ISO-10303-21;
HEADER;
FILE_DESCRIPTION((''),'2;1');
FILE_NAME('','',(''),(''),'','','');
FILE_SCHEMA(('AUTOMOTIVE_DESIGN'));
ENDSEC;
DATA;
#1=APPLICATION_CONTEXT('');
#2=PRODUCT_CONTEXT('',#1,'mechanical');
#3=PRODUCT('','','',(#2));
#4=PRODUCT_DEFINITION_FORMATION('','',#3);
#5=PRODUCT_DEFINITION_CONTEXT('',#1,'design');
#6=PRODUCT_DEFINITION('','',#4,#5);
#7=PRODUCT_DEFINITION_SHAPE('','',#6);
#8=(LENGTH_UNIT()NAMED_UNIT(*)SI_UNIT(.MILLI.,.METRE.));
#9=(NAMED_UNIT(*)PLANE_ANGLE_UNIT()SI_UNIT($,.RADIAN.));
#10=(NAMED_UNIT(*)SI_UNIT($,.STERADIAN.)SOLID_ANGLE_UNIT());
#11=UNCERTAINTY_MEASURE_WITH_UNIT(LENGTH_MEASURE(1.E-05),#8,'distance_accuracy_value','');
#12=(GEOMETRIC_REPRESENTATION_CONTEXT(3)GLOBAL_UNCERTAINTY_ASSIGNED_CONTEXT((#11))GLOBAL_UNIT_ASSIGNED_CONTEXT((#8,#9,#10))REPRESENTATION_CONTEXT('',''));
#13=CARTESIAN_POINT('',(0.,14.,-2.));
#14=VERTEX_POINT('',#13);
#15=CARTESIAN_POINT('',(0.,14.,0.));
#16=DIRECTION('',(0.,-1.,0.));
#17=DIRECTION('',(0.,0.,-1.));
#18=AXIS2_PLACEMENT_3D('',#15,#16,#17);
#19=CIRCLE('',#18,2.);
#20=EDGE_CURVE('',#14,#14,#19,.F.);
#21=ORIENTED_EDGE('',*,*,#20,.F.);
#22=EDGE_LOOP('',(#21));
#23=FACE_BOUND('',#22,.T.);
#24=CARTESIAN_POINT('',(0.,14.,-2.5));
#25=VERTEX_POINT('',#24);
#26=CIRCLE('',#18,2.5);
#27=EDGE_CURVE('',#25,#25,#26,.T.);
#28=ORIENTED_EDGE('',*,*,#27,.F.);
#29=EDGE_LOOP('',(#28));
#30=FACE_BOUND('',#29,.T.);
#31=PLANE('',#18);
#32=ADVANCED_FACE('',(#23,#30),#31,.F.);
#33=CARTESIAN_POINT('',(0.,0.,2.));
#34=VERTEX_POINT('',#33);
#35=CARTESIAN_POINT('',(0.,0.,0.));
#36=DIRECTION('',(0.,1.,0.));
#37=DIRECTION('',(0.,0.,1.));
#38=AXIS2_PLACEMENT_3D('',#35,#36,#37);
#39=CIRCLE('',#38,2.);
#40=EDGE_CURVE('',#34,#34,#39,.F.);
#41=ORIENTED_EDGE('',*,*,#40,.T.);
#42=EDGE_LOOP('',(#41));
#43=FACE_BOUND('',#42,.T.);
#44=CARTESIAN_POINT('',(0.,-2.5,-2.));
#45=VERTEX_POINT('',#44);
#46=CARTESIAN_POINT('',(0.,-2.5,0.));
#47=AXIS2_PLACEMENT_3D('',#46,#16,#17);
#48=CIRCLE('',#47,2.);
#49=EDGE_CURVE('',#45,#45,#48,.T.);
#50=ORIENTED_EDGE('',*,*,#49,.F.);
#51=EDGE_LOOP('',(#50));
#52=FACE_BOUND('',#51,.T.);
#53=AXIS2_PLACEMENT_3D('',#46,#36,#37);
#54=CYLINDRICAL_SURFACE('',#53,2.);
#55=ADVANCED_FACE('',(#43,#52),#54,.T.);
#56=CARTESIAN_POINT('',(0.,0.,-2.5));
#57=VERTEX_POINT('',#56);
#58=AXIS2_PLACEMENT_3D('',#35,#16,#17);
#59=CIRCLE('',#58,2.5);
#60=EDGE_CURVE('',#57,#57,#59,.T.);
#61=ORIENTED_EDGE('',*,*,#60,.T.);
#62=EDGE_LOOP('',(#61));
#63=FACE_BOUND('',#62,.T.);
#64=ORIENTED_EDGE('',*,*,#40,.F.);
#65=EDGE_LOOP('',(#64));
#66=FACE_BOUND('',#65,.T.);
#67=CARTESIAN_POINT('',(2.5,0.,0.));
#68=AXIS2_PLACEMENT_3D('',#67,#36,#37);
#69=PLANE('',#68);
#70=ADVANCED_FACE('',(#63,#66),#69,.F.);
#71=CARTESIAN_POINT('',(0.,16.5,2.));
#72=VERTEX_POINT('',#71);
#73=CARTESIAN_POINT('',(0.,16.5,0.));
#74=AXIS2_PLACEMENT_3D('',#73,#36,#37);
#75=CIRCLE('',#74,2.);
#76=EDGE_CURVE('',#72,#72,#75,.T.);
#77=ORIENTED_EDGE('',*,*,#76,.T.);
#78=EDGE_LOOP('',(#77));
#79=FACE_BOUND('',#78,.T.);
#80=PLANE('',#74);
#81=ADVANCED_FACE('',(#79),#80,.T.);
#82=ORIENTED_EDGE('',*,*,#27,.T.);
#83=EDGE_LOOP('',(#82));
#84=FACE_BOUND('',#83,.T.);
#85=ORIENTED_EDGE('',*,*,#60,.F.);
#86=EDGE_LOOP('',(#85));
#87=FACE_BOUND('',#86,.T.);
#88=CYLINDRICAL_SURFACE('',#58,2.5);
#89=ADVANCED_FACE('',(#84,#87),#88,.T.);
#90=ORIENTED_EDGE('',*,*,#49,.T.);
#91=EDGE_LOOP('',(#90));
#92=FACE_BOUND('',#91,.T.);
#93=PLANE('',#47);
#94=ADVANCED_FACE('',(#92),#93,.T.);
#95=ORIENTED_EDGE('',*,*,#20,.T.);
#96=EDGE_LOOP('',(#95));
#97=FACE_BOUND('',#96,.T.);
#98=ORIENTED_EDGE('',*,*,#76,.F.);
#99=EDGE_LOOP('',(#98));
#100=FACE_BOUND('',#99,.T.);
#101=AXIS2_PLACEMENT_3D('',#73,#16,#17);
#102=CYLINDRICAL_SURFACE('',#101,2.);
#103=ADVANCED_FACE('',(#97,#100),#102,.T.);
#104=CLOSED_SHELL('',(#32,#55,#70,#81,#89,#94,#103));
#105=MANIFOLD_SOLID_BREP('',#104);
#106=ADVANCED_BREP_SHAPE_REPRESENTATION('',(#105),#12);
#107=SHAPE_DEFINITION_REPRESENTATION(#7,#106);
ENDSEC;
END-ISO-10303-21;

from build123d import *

# Parameters (mm, degrees)
SKETCH1_W           = 2.5
SKETCH1_H           = 14
SKETCH2_R           = 2
BOSS_EXTRUDE1_DEPTH = 2.5
BOSS_EXTRUDE2_START = 2.5
SKETCH3_R           = 2
BOSS_EXTRUDE2_DEPTH = 2.5


with BuildPart() as part:
    # Sketch1 → Revolve-Thin1 (revolve)
    with BuildSketch(Plane.XY, mode=Mode.PRIVATE) as revolve_thin1_sk:
        with Locations((-1.25, 7)):
            Rectangle(SKETCH1_W, SKETCH1_H)
    revolve(revolve_thin1_sk.sketch.rotate(Axis((0, 0, 0), (0, 1, 0)), 270), axis=Axis((0, 0, 0), (0, 1, 0)))

    # Sketch2 → Boss-Extrude1 (add)
    with BuildSketch(Plane(origin=(0, 14, 0), x_dir=(1, 0, 0), z_dir=(0, 1, 0))):
        with Locations(Location((0, 0, 0), (0, 0, 90))):
            Circle(SKETCH2_R)
    extrude(amount=BOSS_EXTRUDE1_DEPTH)

    # Sketch3 → Boss-Extrude2 (add)
    with BuildSketch(Plane(origin=(0, 0, 0), x_dir=(-1, 0, 0), z_dir=(0, -1, 0)).offset(BOSS_EXTRUDE2_START)):
        with Locations(Location((0, 0, 0), (0, 0, 90))):
            Circle(SKETCH3_R)
    extrude(amount=-BOSS_EXTRUDE2_DEPTH)


solid = part.part
